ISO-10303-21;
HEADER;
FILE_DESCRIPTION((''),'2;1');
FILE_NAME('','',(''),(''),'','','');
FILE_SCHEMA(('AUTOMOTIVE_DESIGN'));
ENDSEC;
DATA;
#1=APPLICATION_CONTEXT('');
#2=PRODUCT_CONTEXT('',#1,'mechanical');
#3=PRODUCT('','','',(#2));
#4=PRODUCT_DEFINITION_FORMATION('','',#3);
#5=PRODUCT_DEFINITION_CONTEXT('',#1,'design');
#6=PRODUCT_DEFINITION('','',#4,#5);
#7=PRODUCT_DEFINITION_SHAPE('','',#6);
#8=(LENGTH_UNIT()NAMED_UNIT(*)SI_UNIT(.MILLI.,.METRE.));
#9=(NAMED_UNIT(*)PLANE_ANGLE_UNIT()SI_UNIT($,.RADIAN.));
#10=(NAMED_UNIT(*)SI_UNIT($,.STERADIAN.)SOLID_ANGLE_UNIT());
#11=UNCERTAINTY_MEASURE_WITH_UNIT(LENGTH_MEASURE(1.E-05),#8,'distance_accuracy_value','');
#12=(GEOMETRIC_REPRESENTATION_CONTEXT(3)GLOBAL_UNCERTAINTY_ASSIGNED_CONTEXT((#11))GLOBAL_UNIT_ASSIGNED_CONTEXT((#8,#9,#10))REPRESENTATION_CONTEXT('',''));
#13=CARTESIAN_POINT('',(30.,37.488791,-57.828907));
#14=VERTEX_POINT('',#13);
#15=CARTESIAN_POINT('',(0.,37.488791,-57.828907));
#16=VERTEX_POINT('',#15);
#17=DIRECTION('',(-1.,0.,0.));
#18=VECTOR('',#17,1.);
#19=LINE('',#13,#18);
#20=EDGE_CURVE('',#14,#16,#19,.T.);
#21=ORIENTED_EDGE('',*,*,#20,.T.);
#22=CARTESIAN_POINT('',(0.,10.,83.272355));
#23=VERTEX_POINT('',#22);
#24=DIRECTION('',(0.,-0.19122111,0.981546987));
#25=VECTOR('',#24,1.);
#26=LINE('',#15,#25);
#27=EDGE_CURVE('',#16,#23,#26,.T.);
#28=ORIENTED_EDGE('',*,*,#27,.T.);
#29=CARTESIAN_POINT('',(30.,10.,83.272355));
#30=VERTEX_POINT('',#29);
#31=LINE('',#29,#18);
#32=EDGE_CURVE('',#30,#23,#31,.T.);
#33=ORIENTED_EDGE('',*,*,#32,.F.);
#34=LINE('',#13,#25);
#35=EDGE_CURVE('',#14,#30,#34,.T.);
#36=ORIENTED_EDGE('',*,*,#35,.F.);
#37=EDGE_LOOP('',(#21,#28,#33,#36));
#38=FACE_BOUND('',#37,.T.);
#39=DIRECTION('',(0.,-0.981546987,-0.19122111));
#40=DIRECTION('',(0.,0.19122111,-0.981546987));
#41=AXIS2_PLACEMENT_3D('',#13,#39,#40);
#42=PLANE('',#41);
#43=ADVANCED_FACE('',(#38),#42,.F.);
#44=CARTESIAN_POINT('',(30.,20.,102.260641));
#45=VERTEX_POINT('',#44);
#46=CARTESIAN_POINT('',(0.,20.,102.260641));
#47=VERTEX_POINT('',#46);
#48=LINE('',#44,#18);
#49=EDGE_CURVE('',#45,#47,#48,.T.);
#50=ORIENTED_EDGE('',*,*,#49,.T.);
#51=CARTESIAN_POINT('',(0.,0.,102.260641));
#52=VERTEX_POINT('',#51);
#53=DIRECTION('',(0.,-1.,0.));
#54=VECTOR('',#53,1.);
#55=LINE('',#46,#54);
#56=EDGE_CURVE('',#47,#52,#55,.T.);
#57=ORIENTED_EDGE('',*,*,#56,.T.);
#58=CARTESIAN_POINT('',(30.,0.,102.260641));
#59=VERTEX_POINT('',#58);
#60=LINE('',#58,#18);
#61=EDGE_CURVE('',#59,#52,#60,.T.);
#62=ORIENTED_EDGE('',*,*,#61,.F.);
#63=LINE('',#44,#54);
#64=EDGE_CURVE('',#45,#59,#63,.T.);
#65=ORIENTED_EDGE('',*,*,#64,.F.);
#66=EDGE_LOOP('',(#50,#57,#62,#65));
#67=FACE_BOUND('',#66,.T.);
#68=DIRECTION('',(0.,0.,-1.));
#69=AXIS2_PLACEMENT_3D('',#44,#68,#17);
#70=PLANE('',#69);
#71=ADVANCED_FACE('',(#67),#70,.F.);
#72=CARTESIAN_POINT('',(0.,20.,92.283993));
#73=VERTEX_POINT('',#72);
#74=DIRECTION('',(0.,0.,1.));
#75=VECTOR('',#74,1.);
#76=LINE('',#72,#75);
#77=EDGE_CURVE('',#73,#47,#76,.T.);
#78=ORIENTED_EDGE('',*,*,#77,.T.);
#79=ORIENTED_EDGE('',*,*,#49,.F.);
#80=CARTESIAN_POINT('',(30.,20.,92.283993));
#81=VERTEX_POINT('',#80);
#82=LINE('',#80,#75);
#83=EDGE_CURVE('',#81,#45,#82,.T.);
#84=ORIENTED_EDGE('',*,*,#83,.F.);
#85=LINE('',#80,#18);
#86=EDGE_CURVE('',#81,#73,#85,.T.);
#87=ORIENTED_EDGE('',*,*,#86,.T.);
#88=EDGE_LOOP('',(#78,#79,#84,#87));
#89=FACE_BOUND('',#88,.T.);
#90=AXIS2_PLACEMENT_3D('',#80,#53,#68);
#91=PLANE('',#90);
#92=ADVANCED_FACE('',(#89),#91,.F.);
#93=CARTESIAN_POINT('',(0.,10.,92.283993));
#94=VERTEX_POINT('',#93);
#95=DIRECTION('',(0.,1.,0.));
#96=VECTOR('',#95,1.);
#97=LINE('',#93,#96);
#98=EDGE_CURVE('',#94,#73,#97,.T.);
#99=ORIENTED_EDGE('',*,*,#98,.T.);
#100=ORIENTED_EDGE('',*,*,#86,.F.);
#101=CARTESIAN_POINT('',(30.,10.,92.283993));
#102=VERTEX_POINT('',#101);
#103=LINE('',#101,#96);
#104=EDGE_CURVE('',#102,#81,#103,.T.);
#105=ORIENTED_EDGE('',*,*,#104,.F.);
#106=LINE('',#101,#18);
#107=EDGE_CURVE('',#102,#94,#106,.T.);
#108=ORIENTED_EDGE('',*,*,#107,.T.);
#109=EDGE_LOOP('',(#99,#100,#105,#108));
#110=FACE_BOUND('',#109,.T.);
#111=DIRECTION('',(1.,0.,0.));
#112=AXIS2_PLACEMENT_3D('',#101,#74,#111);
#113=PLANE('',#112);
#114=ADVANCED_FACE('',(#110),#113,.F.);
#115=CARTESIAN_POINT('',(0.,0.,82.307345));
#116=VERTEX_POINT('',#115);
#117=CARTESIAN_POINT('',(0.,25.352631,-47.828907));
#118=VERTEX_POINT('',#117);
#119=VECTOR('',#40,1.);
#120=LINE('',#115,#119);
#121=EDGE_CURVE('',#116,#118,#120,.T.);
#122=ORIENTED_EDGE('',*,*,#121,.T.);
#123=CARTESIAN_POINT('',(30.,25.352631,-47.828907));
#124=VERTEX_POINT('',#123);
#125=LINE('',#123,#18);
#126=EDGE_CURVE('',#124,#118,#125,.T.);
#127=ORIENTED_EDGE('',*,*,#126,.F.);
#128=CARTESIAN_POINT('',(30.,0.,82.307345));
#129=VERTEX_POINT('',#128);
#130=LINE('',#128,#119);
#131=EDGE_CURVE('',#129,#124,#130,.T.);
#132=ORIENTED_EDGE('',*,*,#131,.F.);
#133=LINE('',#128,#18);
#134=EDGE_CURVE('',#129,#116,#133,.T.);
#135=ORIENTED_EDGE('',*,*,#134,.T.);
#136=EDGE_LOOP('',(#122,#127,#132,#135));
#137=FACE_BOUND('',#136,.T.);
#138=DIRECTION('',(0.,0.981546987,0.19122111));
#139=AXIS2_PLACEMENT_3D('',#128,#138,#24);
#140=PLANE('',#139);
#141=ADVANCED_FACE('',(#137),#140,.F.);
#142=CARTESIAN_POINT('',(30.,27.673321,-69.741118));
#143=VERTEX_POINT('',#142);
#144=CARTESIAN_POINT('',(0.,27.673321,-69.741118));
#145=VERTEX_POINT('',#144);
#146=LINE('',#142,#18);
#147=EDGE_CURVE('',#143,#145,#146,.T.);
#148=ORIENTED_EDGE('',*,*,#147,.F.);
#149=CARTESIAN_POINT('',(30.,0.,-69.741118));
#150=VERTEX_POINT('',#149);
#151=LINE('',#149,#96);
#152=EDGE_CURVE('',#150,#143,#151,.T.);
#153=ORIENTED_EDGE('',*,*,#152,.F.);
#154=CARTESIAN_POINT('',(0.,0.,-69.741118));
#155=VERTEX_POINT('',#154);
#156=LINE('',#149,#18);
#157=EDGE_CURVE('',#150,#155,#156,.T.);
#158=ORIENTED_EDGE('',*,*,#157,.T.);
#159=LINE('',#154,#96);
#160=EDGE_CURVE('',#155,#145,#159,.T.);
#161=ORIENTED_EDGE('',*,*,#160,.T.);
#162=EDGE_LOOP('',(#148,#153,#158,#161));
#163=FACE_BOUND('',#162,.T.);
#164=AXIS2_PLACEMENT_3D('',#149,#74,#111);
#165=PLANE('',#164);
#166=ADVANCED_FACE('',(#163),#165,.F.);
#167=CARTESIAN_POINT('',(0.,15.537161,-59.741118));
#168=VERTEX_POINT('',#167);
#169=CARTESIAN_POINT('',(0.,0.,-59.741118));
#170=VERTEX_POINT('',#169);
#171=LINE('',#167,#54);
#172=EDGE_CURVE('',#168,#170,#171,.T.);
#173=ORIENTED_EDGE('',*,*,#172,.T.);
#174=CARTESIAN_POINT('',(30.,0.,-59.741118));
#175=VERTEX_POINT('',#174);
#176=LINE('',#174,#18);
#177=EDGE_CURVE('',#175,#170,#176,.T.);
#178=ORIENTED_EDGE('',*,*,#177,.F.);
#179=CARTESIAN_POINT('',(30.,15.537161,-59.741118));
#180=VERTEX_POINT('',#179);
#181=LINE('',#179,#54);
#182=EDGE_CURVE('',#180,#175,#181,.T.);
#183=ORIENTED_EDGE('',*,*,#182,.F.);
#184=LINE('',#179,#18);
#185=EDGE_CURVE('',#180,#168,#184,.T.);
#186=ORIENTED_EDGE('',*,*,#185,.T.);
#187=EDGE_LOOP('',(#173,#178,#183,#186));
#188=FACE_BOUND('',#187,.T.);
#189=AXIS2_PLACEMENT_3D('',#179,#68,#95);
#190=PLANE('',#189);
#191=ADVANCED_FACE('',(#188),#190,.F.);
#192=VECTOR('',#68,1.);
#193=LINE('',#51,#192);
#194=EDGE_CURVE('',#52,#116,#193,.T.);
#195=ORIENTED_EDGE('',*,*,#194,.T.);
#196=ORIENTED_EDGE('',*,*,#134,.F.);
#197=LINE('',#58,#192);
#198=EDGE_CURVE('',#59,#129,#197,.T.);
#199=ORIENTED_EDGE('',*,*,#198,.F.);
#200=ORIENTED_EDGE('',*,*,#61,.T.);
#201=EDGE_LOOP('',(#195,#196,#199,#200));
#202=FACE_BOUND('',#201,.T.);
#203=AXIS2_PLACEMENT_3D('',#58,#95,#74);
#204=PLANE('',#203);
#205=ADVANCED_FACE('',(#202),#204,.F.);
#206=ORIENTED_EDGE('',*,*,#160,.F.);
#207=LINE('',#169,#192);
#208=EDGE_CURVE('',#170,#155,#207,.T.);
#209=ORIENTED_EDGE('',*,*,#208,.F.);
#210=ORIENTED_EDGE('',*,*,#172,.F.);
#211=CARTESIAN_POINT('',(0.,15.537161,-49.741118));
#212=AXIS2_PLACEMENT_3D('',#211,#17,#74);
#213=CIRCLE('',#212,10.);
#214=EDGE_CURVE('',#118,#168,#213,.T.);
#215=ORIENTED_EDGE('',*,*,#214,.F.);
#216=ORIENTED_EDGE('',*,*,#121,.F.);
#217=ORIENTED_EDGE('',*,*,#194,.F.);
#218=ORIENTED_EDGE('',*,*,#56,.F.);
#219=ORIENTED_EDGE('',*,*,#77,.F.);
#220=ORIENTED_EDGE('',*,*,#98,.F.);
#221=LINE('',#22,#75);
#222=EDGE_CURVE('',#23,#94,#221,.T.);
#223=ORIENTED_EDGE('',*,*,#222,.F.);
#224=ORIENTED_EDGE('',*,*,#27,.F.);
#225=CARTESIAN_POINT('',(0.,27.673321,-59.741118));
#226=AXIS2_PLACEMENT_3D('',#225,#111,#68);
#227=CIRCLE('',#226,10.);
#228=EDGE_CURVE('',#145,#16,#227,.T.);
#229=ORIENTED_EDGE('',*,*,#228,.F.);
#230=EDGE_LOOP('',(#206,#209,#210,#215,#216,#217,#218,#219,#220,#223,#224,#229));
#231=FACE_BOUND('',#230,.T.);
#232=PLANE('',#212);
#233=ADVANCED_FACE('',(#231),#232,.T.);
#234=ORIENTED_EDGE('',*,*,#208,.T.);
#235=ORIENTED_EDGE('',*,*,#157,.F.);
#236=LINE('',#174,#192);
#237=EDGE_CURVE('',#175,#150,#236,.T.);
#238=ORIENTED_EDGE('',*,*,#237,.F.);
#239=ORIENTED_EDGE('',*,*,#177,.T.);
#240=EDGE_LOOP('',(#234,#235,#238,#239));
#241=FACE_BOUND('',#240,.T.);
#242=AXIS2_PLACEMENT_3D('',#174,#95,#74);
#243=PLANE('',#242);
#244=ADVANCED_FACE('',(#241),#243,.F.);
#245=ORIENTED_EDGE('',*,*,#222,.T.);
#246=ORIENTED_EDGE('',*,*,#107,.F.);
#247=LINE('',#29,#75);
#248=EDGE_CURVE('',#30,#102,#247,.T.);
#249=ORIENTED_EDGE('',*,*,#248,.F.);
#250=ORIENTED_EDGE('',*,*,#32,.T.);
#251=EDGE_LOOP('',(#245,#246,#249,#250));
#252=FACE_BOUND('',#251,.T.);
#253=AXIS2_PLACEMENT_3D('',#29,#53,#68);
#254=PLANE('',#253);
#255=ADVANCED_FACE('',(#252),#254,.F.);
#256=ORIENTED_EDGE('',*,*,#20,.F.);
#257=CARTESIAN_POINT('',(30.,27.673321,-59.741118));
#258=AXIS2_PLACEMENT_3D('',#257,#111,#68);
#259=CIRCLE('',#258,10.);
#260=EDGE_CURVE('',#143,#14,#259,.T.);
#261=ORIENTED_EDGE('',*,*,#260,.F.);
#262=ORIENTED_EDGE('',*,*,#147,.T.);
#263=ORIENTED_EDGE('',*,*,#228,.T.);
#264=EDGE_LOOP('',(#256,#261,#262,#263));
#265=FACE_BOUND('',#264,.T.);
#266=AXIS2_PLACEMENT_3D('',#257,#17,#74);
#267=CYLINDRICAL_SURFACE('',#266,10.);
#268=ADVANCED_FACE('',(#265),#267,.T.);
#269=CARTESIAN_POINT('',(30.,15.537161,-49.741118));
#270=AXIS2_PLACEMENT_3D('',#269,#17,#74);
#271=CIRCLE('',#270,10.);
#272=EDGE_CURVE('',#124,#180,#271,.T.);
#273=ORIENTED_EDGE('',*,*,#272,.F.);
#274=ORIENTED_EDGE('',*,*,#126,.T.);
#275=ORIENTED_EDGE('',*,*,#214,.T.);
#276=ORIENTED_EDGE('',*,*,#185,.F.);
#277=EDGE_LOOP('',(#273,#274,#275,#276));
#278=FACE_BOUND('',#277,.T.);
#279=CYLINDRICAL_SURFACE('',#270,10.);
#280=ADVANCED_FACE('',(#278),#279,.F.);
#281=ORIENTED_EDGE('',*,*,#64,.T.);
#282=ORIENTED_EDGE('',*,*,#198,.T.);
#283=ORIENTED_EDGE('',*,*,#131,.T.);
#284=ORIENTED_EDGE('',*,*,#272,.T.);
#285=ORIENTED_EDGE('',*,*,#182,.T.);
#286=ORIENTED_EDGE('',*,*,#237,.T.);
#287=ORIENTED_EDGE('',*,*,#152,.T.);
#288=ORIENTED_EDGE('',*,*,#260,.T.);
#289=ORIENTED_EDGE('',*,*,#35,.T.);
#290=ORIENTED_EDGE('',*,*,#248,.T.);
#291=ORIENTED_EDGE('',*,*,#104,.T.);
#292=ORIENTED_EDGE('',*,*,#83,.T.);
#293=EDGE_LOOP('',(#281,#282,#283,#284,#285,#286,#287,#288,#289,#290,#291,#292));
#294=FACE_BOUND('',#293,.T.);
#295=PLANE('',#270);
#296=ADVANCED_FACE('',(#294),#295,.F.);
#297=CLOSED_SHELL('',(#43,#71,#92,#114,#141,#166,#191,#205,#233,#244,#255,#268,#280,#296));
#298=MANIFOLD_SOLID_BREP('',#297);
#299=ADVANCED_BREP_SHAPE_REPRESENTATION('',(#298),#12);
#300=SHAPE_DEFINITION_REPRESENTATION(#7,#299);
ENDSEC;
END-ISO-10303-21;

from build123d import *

# Parameters (mm, degrees)
SALIENTE_EXTRUIR1_DEPTH = 30


with BuildPart() as part:
    # Croquis2 → Saliente-Extruir1 (new body)
    with BuildSketch(Plane(origin=(0, 0, 0), x_dir=(0, 0, -1), z_dir=(1, 0, 0))):
        with BuildLine():
            Line((-102.260641265, 0), (-82.307345408, 0))
            Line((-82.307345408, 0), (47.828906849, 25.352631084))
            ThreePointArc((47.828906849, 25.352631084), (56.100280199, 23.254742154), (59.741117951, 15.537161217))
            Line((59.741117951, 15.537161217), (59.741117951, 0))
            Line((59.741117951, 0), (69.741117951, 0))
            Line((69.741117951, 0), (69.741117951, 27.673321039))
            ThreePointArc((69.741117951, 27.673321039), (66.100280199, 35.390901976), (57.828906849, 37.488790906))
            Line((57.828906849, 37.488790906), (-83.272354624, 10))
            Line((-83.272354624, 10), (-92.283993337, 10))
            Line((-92.283993337, 10), (-92.283993337, 20))
            Line((-92.283993337, 20), (-102.260641265, 20))
            Line((-102.260641265, 20), (-102.260641265, 0))
        make_face()
    extrude(amount=SALIENTE_EXTRUIR1_DEPTH)


solid = part.part
